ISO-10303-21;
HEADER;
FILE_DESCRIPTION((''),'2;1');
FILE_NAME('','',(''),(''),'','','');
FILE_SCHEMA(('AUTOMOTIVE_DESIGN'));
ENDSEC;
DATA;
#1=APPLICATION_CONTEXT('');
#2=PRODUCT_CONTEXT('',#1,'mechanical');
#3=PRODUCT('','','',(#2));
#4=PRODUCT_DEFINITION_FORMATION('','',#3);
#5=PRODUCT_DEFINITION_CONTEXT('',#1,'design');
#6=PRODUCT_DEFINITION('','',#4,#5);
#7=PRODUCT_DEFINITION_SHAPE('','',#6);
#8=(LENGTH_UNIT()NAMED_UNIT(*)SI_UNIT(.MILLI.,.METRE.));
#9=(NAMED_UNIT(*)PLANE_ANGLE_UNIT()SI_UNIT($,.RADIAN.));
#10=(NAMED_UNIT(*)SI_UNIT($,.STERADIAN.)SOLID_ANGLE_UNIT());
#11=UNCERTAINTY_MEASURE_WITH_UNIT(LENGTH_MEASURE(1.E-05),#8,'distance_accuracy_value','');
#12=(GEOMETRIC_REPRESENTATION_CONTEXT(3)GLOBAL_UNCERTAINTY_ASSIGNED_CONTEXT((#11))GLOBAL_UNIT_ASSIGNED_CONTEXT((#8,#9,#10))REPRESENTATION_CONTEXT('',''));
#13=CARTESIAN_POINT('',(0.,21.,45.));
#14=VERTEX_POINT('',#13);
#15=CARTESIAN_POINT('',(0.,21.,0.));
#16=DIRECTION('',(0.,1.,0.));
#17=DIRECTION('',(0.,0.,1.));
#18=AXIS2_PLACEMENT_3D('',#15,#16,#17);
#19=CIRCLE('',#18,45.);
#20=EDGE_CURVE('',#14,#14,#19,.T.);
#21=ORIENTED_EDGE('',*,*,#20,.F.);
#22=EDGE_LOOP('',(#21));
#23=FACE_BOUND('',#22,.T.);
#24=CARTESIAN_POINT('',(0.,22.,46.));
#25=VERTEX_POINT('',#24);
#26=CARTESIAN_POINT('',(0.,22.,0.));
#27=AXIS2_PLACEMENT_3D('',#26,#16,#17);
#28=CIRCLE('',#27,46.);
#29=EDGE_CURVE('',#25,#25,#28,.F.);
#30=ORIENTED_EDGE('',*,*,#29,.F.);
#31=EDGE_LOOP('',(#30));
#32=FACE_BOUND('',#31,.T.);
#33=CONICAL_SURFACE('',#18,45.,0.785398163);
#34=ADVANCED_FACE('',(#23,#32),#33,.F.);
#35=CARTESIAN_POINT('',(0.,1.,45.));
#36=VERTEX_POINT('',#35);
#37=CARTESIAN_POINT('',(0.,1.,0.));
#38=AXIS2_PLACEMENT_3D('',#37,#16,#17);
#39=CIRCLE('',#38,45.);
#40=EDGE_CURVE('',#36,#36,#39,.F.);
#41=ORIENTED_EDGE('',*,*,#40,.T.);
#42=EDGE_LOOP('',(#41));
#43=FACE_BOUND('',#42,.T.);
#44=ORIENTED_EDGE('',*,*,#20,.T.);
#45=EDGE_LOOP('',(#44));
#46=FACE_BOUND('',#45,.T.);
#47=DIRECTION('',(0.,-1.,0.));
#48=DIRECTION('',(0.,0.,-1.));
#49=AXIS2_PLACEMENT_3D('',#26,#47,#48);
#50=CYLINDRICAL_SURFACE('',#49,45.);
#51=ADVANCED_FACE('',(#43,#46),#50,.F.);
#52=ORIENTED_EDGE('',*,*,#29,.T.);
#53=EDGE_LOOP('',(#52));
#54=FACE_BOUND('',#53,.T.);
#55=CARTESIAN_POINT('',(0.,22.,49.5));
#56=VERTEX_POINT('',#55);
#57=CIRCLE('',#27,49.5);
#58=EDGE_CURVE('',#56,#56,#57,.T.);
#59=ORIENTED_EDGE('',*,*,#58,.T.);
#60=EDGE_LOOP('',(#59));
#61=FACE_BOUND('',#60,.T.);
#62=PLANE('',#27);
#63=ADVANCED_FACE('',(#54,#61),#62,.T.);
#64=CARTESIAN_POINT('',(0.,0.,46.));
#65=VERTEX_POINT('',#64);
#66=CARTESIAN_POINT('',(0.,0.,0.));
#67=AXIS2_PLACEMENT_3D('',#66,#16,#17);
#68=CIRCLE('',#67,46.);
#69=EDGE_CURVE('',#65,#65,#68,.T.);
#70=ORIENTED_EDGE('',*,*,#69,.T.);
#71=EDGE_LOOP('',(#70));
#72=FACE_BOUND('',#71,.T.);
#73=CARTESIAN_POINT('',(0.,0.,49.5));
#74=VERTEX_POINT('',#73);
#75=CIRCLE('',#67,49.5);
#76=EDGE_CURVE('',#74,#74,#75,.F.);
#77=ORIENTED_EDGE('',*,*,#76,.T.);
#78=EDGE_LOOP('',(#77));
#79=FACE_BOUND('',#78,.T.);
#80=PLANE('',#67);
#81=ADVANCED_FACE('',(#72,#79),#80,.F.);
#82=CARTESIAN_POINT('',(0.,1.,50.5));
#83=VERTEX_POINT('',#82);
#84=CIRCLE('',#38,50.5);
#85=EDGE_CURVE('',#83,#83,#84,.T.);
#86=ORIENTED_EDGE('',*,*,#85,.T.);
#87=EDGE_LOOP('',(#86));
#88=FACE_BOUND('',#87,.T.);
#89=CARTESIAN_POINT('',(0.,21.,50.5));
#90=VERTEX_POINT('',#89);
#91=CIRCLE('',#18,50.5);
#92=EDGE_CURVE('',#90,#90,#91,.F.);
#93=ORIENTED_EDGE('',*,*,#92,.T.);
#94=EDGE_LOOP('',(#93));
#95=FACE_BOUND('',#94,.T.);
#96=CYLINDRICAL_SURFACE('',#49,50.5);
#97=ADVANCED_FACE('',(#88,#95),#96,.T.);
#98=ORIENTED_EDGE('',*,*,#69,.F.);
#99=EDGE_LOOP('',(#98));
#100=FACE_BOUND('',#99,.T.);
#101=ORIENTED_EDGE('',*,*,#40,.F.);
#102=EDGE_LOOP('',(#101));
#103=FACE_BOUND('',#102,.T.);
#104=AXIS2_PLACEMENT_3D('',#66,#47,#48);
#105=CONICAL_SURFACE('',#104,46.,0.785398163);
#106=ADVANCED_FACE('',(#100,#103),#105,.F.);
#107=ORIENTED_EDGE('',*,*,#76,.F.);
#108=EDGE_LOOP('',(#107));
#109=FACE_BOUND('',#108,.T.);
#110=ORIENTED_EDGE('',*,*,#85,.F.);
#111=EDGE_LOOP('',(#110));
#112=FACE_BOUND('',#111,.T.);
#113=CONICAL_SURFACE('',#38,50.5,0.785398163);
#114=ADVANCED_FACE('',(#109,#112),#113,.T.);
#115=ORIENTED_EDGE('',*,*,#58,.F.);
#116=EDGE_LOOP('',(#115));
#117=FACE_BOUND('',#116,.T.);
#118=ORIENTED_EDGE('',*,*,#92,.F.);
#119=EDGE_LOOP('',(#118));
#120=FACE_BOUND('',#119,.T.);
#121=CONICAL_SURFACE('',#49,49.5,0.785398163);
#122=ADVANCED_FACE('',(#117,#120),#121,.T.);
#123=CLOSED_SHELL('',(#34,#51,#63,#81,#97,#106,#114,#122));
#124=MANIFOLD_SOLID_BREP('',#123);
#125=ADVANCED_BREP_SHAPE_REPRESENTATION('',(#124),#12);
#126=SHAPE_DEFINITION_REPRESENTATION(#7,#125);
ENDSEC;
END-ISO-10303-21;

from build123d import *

# Parameters (mm, degrees)
SKETCH_1_R      = 50.5
SKETCH_1_R_2    = 45
EXTRUDE_1_DEPTH = 22
CHAMFER_1_SIZE  = 1


with BuildPart() as part:
    # 草图1 → 凸台-拉伸1 (new body)
    with BuildSketch(Plane(origin=(0, 0, 0), x_dir=(1, 0, 0), z_dir=(0, 1, 0))):
        with Locations(Location((0, 0, 0), (0, 0, 270))):
            Circle(SKETCH_1_R)
        with Locations(Location((0, 0, 0), (0, 0, 270))):
            Circle(SKETCH_1_R_2, mode=Mode.SUBTRACT)
    extrude(amount=EXTRUDE_1_DEPTH)

    # 倒角1
    chamfer_1_edges = [part.edges().sort_by_distance(p)[0] for p in [
        (0, 0, -50.5),
        (0, 22, -50.5),
        (0, 0, -45),
        (0, 22, -45),
    ]]
    chamfer(chamfer_1_edges, length=CHAMFER_1_SIZE)


solid = part.part
